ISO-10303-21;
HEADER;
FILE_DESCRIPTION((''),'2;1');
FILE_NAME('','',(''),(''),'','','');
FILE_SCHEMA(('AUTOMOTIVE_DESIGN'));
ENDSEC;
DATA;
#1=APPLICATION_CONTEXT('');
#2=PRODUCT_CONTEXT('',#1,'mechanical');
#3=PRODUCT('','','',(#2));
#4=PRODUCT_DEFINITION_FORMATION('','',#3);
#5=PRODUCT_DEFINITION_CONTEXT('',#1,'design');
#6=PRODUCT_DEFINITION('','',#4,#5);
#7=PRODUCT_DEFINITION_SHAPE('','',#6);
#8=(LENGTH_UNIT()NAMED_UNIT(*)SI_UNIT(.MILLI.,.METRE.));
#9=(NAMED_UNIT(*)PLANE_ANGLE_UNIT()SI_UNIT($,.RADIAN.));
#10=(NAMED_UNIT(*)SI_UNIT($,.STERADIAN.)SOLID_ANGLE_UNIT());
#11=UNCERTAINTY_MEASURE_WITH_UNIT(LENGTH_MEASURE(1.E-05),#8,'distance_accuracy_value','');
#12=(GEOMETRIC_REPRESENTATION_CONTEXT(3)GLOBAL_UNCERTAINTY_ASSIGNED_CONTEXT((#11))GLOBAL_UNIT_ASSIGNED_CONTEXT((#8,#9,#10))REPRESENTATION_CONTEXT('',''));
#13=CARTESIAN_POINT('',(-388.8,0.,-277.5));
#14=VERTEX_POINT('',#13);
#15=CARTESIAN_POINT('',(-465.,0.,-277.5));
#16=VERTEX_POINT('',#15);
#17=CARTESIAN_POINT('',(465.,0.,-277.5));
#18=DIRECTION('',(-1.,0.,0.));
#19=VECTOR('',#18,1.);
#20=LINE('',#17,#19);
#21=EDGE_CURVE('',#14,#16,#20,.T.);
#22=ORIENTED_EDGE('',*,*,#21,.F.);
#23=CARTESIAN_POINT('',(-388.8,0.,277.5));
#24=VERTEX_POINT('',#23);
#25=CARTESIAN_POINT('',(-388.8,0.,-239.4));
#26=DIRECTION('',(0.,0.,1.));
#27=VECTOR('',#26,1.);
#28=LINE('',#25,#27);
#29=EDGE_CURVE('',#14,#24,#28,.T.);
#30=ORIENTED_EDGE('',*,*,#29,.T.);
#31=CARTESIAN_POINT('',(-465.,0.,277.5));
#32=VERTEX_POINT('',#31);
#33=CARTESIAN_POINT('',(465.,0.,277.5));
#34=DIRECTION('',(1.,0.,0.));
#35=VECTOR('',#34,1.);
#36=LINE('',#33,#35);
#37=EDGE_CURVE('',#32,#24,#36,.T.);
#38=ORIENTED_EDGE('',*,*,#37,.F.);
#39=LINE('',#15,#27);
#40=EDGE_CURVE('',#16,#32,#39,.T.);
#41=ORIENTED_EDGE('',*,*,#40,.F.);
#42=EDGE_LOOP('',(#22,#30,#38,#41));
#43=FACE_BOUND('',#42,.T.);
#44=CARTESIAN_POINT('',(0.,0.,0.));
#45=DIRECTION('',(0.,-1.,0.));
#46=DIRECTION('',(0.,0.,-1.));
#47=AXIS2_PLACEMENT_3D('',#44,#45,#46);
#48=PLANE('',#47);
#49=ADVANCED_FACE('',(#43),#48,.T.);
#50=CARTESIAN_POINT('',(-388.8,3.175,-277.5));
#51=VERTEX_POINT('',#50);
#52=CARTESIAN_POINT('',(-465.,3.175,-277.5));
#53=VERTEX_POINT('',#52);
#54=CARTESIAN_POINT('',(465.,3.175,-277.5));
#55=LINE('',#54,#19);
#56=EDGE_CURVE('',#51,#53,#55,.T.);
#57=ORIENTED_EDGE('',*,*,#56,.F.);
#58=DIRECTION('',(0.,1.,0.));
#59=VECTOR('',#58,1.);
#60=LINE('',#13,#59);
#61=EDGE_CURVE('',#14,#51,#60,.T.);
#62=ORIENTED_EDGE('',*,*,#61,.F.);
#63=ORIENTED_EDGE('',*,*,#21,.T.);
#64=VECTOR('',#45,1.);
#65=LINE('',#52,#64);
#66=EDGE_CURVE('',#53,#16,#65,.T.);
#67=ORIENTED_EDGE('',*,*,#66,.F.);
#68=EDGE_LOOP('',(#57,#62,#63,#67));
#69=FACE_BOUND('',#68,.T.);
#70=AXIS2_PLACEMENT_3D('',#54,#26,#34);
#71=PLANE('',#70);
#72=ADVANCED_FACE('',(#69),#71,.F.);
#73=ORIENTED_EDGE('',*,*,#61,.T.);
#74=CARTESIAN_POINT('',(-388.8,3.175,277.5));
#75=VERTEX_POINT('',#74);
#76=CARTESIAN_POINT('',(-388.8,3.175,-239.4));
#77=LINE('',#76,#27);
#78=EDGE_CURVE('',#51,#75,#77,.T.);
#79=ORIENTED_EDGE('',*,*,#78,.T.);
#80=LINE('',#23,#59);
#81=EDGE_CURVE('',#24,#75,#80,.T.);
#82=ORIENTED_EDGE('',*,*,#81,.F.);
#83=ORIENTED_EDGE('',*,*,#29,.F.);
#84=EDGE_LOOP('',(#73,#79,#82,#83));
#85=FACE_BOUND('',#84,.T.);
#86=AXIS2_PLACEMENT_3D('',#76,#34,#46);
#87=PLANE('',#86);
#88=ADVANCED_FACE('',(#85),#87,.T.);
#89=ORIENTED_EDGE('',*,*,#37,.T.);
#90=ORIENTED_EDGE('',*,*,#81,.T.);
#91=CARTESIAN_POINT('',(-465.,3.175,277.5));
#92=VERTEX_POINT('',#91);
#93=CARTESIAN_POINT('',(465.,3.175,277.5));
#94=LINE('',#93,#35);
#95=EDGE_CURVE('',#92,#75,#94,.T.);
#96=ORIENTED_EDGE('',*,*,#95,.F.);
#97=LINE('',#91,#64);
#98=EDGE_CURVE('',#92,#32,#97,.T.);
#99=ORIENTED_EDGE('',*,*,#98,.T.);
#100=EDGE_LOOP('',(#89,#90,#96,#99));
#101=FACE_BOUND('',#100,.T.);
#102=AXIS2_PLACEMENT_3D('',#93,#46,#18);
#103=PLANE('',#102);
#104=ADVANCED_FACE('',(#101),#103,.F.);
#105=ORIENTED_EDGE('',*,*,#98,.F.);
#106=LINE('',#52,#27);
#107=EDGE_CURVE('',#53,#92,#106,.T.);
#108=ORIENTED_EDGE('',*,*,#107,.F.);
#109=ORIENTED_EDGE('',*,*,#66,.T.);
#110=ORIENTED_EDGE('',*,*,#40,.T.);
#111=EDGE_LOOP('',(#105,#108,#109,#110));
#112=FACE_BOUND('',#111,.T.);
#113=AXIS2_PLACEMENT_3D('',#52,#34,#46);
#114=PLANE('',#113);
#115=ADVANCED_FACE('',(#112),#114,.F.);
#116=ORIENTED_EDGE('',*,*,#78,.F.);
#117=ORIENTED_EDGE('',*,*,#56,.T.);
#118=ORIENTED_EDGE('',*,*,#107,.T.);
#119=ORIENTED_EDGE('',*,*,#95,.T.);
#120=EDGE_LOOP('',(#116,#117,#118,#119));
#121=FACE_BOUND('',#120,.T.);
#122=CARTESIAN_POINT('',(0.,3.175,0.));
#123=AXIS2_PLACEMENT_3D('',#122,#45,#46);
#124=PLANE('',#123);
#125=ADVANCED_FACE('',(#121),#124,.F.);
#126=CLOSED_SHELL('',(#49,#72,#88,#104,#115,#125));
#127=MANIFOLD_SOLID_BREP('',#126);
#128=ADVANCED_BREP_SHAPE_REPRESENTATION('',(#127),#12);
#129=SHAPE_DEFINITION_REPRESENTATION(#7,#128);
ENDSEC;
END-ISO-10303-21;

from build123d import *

# Parameters (mm, degrees)
SKETCH1_W               = 930
SKETCH1_H               = 555
SKETCH1_W_2             = 777.6
SKETCH1_H_2             = 478.8
BOSS_EXTRUDE2_DEPTH     = 3.175
CUT_EXTRUDE1_DEPTH      = 542.517618019
CUT_EXTRUDE1_DEPTH_BACK = 542.517618019
SKETCH2_W               = 853.8
SKETCH2_H               = 555


with BuildPart() as part:
    # Sketch1 → Boss-Extrude2 (new body)
    with BuildSketch(Plane(origin=(0, 0, 0), x_dir=(1, 0, 0), z_dir=(0, 1, 0))):
        Rectangle(SKETCH1_W, SKETCH1_H)
        Rectangle(SKETCH1_W_2, SKETCH1_H_2, mode=Mode.SUBTRACT)
    extrude(amount=BOSS_EXTRUDE2_DEPTH)

    # Sketch2 → Cut-Extrude1 (cut, two sides: drawn at the far end of the back side and taken through both)
    with BuildSketch(Plane(origin=(0, 3.175, 0), x_dir=(1, 0, 0), z_dir=(0, 1, 0)).offset(-CUT_EXTRUDE1_DEPTH_BACK)):
        with Locations((38.1, 0)):
            Rectangle(SKETCH2_W, SKETCH2_H)
    extrude(amount=CUT_EXTRUDE1_DEPTH + CUT_EXTRUDE1_DEPTH_BACK, mode=Mode.SUBTRACT)


solid = part.part
